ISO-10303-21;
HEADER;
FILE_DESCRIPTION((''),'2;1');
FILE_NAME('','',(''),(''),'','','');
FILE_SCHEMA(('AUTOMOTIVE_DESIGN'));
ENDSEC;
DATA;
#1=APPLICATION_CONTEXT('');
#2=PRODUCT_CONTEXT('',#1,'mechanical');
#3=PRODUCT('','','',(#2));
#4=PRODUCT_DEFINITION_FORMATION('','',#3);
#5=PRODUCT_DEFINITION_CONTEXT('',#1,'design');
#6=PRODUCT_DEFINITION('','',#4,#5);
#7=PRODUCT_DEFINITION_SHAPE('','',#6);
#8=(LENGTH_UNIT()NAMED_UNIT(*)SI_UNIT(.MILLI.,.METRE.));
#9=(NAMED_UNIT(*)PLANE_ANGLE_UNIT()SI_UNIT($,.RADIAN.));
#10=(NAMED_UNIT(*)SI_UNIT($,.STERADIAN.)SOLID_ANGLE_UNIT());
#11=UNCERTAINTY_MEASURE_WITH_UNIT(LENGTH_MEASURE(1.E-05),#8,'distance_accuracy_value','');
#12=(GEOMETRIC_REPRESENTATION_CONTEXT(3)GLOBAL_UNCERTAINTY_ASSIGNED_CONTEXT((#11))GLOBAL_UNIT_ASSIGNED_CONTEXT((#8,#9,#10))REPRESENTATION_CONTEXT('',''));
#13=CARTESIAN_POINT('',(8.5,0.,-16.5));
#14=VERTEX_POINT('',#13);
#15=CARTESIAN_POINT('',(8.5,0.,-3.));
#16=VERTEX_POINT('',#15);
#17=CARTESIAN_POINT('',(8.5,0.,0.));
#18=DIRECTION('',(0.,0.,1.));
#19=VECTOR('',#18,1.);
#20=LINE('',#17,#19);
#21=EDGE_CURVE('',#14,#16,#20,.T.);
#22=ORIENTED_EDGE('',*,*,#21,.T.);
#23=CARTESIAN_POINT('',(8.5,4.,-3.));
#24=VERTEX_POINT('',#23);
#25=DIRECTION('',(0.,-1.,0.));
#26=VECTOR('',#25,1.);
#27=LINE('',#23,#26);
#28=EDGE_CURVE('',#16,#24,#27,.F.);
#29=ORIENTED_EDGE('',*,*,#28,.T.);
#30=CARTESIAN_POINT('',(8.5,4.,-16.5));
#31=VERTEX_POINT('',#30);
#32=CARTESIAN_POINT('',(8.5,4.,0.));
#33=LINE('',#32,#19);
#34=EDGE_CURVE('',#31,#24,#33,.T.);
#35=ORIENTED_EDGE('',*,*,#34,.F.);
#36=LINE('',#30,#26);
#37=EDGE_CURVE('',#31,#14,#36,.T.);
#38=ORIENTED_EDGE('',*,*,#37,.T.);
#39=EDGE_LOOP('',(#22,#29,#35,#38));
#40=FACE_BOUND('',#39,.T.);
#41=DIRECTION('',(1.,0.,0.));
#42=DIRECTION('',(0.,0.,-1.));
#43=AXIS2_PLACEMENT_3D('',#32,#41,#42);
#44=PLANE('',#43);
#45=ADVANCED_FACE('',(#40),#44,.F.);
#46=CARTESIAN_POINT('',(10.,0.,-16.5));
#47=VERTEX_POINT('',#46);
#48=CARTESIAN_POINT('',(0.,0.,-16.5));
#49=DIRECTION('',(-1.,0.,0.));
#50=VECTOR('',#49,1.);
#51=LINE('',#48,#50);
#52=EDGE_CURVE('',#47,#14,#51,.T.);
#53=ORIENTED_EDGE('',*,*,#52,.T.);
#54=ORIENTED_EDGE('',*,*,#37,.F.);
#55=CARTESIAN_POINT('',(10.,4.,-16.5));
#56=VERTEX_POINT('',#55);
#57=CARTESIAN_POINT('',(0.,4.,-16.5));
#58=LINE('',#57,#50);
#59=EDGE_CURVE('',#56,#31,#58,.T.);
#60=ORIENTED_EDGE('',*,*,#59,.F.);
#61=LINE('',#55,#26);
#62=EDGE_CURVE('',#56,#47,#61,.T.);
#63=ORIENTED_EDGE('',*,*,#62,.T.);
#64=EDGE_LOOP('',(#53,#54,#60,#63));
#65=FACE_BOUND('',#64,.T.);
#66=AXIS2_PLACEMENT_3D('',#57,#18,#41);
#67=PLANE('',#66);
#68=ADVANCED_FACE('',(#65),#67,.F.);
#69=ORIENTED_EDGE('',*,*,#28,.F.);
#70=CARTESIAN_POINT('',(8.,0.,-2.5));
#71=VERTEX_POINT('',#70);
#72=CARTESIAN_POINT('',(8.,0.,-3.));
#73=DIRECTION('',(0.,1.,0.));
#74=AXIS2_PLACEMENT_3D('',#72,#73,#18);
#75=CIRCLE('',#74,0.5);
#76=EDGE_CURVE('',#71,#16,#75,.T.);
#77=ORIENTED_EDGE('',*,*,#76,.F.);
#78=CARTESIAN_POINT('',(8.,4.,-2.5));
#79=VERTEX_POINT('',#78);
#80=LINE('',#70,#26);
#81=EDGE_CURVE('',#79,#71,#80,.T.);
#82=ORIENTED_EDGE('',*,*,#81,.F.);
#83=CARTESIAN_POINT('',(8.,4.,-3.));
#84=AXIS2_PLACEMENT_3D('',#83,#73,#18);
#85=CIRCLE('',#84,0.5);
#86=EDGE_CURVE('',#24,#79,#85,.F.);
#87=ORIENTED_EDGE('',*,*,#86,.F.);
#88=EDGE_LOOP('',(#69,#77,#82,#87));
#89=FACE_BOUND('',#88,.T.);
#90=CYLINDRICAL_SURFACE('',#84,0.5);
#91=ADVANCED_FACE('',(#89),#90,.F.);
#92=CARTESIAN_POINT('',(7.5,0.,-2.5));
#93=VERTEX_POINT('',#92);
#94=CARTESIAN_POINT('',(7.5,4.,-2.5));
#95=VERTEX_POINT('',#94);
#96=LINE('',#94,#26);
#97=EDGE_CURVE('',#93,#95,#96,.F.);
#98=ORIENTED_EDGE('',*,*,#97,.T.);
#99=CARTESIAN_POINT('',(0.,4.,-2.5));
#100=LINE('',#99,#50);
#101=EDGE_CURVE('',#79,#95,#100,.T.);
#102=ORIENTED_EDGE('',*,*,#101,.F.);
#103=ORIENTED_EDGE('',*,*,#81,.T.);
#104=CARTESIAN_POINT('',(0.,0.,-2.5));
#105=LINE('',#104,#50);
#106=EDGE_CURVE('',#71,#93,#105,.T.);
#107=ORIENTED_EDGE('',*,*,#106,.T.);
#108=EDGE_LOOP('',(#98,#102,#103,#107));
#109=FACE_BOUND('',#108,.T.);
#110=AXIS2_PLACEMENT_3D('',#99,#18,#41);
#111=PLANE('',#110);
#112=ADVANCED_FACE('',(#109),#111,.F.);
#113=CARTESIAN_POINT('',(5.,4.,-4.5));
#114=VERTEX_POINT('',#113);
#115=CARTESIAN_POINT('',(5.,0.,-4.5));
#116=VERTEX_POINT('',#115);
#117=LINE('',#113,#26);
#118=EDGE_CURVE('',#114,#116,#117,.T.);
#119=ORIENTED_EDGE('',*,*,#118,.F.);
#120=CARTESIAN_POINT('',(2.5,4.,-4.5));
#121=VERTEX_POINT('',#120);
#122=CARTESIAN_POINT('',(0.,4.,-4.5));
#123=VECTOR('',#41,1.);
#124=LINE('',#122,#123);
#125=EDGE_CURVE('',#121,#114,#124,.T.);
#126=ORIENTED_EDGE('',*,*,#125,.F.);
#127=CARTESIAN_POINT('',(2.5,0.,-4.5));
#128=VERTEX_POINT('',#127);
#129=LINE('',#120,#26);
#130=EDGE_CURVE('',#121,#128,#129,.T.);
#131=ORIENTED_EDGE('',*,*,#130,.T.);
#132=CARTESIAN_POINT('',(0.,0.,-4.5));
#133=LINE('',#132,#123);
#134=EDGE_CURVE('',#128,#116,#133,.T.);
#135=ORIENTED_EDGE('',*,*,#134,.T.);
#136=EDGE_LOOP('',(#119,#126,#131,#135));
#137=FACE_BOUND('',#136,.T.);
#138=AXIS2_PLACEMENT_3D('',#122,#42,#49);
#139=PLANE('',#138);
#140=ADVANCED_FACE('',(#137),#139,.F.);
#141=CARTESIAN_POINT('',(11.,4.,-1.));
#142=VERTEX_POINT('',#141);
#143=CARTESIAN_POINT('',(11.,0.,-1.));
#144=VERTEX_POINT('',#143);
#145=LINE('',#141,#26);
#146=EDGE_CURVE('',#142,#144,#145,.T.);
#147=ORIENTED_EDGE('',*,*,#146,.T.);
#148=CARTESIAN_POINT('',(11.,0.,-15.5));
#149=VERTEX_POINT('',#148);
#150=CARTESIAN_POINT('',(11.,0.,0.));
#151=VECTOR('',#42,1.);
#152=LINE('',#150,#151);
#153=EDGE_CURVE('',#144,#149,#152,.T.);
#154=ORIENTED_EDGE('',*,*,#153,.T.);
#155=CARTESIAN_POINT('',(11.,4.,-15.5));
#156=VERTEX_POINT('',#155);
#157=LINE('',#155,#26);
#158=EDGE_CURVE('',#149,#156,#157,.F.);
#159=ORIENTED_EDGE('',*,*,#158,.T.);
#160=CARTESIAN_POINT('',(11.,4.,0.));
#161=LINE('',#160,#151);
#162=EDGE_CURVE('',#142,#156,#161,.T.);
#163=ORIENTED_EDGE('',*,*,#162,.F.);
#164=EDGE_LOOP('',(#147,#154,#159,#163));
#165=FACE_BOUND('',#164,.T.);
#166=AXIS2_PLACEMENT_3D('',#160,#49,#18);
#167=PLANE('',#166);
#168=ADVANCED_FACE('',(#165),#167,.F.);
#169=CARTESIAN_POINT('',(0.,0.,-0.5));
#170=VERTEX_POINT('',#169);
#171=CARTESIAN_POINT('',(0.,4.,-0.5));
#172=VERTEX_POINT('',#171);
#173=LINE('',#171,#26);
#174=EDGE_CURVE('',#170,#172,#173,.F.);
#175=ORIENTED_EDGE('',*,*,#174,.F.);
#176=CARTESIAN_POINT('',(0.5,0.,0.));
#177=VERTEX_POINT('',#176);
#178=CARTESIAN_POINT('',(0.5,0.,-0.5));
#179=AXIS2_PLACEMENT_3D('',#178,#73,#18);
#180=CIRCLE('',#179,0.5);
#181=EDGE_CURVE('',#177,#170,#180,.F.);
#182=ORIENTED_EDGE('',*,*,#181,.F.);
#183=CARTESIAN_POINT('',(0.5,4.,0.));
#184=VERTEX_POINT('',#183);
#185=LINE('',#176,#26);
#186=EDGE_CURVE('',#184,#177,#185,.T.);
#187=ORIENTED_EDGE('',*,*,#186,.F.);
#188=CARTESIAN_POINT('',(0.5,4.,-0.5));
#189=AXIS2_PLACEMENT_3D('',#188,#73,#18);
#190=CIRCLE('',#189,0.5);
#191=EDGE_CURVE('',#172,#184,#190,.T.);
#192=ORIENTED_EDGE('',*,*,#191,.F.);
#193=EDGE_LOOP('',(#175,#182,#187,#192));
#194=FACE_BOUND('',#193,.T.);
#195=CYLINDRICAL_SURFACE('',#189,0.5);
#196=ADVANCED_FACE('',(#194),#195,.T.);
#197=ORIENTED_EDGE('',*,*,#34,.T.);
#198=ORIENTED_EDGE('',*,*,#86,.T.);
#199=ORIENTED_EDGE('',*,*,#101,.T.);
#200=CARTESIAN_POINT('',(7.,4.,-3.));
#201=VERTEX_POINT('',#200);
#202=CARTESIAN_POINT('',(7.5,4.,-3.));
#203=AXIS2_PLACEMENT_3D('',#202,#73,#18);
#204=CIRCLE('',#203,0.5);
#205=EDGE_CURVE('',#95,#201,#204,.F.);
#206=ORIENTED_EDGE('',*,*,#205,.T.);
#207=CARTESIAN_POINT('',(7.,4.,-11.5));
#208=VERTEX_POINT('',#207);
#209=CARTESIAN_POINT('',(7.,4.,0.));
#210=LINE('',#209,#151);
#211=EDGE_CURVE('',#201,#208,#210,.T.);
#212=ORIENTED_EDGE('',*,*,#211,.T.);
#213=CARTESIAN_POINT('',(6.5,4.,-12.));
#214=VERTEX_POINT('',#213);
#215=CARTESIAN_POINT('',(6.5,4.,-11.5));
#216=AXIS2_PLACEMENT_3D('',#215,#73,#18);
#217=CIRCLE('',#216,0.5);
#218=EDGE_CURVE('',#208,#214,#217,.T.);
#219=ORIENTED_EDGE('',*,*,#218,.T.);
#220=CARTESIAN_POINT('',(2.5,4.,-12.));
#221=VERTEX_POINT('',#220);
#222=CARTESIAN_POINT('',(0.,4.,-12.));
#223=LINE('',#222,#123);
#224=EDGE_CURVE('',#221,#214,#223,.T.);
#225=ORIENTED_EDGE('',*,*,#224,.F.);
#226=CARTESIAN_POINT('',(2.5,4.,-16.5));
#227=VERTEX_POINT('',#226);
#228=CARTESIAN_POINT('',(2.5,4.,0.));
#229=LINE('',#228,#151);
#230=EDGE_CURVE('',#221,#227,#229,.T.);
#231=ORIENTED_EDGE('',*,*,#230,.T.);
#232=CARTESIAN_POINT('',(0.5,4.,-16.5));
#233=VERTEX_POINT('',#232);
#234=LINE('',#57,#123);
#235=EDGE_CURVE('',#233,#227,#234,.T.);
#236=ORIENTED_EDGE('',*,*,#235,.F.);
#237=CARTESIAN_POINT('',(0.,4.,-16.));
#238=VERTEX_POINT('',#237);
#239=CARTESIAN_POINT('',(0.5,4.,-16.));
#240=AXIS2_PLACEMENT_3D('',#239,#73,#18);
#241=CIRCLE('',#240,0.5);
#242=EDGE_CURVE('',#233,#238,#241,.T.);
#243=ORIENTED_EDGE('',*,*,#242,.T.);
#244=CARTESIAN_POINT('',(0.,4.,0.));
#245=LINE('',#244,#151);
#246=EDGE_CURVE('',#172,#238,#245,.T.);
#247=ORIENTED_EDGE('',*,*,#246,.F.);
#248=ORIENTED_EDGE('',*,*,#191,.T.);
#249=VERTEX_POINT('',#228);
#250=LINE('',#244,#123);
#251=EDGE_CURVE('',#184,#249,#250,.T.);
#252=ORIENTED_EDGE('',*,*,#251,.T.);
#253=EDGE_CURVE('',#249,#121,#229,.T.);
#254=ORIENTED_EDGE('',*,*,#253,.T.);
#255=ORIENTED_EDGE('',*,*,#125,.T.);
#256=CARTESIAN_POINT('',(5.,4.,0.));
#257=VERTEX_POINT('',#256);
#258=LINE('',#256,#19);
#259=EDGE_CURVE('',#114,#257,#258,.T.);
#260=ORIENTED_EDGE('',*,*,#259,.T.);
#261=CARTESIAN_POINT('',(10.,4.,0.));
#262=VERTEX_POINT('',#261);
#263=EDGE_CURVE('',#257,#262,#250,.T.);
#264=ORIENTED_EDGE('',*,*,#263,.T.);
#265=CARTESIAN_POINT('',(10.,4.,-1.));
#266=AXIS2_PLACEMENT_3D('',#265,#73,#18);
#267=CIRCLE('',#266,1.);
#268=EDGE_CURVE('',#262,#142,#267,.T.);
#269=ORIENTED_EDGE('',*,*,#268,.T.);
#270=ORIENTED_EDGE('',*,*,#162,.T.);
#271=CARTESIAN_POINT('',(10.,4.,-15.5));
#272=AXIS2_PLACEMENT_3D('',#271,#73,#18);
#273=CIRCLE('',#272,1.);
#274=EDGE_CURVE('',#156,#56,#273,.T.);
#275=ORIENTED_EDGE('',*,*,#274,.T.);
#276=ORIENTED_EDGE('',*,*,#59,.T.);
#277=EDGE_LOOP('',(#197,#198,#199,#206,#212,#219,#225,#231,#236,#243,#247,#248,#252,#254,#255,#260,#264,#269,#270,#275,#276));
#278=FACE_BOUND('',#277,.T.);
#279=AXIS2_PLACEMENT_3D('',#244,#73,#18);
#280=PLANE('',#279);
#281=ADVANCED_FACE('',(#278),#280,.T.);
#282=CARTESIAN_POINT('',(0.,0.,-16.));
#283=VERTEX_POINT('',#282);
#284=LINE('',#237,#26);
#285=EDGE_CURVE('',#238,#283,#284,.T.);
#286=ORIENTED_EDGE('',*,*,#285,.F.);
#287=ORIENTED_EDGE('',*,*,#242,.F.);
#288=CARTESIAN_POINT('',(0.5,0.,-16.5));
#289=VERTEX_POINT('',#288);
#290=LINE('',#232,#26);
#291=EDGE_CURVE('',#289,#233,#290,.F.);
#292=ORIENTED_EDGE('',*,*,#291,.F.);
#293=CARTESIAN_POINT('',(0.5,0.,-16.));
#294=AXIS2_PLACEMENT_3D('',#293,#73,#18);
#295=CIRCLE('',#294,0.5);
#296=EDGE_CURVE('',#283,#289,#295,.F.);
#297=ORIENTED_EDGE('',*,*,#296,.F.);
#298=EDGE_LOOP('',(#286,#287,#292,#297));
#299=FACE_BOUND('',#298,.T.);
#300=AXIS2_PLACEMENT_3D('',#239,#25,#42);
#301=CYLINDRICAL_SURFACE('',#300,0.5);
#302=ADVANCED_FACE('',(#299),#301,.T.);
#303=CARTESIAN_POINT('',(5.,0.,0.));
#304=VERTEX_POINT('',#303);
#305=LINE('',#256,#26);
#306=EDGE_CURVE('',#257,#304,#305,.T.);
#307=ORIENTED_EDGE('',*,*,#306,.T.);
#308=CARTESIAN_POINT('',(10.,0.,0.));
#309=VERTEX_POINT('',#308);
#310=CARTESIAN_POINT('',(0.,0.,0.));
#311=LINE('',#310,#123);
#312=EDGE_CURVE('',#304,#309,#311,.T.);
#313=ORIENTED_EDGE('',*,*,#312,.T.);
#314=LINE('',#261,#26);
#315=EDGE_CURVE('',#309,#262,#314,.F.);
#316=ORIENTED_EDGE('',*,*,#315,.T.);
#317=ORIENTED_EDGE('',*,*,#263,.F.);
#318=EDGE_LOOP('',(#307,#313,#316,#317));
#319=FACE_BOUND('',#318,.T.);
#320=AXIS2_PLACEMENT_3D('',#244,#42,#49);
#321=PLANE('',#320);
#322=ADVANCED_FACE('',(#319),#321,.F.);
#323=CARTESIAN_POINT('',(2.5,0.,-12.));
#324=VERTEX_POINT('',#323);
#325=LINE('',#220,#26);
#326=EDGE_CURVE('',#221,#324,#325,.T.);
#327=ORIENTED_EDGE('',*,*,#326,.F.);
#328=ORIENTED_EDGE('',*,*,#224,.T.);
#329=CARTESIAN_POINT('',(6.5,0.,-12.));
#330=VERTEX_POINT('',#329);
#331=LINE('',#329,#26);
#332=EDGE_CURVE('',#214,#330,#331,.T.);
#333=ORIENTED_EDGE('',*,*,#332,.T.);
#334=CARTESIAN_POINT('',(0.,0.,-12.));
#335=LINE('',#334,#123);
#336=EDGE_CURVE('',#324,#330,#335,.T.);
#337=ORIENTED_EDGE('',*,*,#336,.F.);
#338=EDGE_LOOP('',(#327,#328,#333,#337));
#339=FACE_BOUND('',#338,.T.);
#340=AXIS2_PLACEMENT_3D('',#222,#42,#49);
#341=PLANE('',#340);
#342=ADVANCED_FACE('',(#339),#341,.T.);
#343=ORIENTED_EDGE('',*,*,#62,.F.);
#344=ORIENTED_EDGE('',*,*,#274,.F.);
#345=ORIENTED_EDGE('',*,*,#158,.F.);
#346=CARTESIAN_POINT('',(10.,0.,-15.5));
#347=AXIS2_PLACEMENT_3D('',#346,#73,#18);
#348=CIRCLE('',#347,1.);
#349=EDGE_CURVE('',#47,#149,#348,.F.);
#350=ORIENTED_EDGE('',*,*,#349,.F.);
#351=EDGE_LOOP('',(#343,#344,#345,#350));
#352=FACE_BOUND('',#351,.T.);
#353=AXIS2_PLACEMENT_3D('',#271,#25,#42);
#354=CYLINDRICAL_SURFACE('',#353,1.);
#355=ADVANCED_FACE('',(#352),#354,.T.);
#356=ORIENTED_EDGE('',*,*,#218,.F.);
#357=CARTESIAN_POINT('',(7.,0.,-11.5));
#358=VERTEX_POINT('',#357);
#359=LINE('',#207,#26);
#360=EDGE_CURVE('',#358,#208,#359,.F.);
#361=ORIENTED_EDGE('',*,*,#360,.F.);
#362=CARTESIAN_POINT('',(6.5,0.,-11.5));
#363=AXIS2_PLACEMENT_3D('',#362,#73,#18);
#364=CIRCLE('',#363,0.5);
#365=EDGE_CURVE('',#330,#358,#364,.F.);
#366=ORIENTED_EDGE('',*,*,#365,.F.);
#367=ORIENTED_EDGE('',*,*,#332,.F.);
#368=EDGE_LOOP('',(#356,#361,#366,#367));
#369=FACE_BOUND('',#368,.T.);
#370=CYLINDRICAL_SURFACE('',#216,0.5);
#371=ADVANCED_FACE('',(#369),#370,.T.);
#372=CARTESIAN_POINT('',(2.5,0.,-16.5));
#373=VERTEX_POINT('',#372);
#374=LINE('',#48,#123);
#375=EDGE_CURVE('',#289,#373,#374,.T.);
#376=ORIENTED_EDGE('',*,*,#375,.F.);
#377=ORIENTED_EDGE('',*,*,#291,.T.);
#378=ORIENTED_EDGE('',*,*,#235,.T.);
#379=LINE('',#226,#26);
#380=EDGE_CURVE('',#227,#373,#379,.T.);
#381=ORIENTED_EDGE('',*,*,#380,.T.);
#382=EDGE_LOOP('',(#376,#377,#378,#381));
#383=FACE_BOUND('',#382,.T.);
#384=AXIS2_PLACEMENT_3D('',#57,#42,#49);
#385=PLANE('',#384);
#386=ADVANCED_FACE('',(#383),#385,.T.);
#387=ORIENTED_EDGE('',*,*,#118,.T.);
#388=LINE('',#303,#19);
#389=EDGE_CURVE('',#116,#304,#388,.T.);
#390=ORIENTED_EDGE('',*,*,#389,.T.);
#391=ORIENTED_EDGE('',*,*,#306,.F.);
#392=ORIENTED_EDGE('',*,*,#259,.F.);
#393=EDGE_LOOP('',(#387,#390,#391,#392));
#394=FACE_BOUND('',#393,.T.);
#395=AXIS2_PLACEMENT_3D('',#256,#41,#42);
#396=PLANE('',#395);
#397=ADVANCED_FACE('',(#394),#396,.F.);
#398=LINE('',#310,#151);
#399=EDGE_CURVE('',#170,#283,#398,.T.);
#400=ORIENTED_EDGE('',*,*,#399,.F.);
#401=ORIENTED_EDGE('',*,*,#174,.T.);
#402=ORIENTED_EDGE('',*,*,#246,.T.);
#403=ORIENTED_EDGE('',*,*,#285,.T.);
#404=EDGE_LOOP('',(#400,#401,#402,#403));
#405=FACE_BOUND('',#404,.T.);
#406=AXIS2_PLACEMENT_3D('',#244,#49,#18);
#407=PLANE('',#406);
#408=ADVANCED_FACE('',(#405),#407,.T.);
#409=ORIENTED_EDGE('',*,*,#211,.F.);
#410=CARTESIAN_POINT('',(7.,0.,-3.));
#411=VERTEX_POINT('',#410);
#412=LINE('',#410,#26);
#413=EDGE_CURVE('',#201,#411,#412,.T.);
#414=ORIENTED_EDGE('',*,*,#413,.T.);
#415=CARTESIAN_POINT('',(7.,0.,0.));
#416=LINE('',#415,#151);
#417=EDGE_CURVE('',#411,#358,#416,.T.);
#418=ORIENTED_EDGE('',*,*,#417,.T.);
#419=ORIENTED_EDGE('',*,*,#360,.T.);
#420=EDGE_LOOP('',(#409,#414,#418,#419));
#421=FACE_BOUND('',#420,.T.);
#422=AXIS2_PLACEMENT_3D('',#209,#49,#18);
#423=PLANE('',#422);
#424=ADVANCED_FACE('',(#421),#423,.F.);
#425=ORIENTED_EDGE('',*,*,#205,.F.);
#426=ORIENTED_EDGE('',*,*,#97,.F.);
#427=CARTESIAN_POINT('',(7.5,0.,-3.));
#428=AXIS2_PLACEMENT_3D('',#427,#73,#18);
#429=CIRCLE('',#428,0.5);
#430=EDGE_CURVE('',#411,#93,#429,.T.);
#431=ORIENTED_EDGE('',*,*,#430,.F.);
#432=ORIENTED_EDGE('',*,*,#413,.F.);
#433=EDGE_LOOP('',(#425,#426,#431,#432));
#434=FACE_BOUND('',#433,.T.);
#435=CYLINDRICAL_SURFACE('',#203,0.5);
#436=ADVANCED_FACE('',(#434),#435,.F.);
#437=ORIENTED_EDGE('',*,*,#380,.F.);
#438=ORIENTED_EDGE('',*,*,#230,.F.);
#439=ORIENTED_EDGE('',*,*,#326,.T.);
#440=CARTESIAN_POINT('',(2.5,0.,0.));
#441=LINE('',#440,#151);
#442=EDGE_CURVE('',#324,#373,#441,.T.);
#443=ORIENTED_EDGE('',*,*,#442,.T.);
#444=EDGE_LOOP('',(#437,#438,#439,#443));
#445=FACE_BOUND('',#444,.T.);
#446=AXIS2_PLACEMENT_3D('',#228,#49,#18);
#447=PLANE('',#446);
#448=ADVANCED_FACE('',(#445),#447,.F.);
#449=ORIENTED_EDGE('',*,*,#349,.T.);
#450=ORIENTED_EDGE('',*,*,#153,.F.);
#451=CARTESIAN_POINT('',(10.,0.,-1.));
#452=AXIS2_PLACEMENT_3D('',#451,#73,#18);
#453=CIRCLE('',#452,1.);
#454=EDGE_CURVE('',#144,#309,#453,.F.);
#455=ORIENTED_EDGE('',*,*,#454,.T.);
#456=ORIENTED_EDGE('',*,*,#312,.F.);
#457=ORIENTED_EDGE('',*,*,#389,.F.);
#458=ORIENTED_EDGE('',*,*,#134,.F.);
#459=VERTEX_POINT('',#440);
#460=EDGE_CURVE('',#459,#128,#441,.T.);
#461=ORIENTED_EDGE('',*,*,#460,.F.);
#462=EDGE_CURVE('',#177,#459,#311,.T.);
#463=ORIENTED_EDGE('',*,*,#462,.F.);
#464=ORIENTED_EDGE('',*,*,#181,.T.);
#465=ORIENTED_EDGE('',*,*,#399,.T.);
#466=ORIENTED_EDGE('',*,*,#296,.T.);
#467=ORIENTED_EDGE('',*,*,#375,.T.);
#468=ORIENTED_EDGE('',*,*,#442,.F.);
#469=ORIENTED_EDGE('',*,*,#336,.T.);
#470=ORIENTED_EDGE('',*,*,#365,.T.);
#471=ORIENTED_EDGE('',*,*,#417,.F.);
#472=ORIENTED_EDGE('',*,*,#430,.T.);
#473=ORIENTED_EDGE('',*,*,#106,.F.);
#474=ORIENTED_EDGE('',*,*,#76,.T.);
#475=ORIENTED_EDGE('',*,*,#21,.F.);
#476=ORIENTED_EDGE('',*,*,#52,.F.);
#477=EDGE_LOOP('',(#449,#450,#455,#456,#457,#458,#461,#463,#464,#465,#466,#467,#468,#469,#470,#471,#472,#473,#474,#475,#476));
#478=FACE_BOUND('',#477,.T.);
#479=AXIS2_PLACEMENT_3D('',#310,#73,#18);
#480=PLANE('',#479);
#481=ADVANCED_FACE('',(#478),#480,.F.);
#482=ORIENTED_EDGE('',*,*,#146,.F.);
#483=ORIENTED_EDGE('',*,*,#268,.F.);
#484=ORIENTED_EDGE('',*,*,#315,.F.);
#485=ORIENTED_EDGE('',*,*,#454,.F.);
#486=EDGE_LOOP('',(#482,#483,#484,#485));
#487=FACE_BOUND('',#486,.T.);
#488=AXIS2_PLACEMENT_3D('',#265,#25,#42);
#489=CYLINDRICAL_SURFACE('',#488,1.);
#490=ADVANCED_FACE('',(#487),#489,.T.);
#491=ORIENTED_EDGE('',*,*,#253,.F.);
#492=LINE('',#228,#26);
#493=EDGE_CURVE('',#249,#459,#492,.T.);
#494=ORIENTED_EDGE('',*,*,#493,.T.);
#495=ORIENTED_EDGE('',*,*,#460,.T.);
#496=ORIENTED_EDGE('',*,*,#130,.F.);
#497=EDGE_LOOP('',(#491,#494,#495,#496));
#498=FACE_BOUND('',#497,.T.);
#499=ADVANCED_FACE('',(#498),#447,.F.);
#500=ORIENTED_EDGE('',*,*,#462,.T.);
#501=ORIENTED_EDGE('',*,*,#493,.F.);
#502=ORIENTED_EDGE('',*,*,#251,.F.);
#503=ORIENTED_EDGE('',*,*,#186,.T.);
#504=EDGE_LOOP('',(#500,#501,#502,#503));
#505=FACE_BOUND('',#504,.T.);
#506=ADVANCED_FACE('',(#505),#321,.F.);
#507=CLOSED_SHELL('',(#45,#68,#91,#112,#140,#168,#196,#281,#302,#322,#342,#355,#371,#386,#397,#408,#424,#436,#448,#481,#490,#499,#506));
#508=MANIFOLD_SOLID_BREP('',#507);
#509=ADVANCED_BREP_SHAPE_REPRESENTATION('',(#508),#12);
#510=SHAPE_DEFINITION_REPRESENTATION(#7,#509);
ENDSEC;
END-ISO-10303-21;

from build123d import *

# Parameters (mm, degrees)
SALIENTE_EXTRUIR1_DEPTH = 4
REDONDEO1_R             = 0.5
REDONDEO2_R             = 1


with BuildPart() as part:
    # Croquis1 → Saliente-Extruir1 (new body)
    with BuildSketch(Plane(origin=(0, 0, 0), x_dir=(1, 0, 0), z_dir=(0, 1, 0))):
        Polygon((8.5, 2.5), (7, 2.5), (7, 12), (2.5, 12), (2.5, 16.5), (0, 16.5), (0, 0), (2.5, 0), (2.5, 4.5), (5, 4.5), (5, 0), (11, 0), (11, 16.5), (8.5, 16.5), align=None)
    extrude(amount=SALIENTE_EXTRUIR1_DEPTH)

    # Redondeo1
    redondeo1_edges = [part.edges().sort_by_distance(p)[0] for p in [
        (8.5, 2, -2.5),
        (0, 2, 0),
        (0, 2, -16.5),
        (7, 2, -12),
        (7, 2, -2.5),
    ]]
    fillet(redondeo1_edges, radius=REDONDEO1_R)

    # Redondeo2
    redondeo2_edges = [part.edges().sort_by_distance(p)[0] for p in [
        (11, 2, -16.5),
        (11, 2, 0),
    ]]
    fillet(redondeo2_edges, radius=REDONDEO2_R)


solid = part.part
